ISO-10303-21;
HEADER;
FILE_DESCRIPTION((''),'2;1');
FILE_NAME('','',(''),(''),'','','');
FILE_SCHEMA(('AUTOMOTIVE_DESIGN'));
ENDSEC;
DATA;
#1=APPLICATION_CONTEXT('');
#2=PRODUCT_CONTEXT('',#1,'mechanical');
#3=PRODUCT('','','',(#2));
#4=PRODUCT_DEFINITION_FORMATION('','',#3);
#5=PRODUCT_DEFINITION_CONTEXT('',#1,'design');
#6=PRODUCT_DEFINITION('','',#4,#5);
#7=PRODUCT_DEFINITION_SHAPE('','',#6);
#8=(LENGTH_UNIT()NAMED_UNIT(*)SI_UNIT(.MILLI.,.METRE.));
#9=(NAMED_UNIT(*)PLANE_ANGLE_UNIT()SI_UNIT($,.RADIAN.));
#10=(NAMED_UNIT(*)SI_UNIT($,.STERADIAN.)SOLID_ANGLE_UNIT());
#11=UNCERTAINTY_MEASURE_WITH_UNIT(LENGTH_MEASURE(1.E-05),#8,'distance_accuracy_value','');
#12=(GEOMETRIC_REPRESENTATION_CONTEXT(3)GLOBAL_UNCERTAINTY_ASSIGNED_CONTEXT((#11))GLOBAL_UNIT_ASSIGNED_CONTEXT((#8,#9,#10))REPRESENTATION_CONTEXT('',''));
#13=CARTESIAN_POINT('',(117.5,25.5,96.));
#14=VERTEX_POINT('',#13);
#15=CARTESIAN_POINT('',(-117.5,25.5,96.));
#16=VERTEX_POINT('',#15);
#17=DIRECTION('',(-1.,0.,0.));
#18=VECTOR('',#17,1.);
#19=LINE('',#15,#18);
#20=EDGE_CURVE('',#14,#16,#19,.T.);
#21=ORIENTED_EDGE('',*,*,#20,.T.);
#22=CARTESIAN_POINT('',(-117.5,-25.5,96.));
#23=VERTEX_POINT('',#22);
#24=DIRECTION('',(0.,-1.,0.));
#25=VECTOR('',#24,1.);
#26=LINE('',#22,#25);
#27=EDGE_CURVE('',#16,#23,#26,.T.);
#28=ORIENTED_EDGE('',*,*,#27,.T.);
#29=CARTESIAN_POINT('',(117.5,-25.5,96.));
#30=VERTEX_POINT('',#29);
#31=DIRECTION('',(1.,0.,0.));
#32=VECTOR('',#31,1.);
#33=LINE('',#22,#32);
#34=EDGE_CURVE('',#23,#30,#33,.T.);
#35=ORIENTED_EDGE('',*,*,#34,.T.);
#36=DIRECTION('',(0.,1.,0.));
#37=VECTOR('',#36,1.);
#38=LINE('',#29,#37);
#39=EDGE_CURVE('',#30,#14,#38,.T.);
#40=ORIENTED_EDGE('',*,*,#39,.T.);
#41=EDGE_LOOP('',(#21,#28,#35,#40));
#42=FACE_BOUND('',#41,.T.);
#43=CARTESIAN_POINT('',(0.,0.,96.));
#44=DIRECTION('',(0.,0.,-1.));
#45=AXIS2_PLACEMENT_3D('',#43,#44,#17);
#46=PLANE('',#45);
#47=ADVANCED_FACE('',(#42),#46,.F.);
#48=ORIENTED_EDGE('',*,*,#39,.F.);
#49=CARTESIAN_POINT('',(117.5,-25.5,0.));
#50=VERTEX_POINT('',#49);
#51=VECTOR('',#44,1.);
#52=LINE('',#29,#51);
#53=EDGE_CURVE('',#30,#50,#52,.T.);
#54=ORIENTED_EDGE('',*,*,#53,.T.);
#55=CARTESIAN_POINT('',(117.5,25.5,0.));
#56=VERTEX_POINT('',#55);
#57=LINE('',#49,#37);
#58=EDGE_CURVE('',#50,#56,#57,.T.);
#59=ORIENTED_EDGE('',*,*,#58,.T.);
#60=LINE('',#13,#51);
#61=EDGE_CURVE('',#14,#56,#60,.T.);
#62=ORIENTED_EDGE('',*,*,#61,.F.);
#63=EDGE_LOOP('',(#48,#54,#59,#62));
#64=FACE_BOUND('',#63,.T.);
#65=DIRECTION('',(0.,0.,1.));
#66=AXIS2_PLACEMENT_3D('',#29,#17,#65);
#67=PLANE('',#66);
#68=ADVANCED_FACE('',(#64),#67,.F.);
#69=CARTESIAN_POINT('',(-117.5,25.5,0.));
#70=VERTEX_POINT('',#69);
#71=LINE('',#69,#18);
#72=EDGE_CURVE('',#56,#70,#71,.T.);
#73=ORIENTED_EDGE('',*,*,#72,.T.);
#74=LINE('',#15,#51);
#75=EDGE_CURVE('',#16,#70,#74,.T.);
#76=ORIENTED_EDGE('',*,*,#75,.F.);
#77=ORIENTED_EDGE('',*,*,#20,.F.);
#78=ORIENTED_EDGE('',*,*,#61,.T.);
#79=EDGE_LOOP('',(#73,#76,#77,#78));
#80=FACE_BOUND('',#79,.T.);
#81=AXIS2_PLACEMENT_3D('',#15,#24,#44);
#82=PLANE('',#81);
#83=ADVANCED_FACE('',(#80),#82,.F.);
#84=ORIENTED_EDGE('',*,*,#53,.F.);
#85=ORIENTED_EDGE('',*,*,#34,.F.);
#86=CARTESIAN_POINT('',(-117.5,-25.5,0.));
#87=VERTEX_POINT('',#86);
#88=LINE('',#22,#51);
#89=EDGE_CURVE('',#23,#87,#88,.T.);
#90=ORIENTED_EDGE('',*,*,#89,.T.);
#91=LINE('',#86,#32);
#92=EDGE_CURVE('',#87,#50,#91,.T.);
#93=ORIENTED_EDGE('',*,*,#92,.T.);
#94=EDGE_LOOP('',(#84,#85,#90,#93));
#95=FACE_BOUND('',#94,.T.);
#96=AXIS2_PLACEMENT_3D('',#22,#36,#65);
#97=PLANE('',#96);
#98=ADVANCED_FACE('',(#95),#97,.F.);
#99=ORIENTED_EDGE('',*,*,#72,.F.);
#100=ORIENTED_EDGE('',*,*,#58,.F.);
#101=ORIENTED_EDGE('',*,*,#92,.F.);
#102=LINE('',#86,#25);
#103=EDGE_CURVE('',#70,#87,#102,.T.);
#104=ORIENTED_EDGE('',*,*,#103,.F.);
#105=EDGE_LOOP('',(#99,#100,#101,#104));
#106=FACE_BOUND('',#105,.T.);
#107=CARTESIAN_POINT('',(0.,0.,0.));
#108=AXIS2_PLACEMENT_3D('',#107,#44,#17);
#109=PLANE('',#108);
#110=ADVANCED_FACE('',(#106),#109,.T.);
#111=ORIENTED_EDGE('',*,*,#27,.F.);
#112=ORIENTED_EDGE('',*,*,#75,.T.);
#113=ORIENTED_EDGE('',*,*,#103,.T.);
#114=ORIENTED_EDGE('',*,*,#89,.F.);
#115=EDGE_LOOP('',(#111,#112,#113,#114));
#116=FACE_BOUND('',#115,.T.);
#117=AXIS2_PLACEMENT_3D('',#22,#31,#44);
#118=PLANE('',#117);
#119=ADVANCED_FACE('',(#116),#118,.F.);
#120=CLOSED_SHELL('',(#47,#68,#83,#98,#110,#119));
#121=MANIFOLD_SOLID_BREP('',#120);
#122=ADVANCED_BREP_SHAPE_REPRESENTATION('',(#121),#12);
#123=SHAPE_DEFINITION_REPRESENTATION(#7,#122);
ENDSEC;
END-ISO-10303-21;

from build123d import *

# Parameters (mm, degrees)
SKETCH_1_W      = 235
SKETCH_1_H      = 51
EXTRUDE_1_DEPTH = 96


with BuildPart() as part:
    # ｽｹｯﾁ1 → ﾎﾞｽ - 押し出し1 (new body)
    with BuildSketch(Plane.XY):
        Rectangle(SKETCH_1_W, SKETCH_1_H)
    extrude(amount=EXTRUDE_1_DEPTH)


solid = part.part
